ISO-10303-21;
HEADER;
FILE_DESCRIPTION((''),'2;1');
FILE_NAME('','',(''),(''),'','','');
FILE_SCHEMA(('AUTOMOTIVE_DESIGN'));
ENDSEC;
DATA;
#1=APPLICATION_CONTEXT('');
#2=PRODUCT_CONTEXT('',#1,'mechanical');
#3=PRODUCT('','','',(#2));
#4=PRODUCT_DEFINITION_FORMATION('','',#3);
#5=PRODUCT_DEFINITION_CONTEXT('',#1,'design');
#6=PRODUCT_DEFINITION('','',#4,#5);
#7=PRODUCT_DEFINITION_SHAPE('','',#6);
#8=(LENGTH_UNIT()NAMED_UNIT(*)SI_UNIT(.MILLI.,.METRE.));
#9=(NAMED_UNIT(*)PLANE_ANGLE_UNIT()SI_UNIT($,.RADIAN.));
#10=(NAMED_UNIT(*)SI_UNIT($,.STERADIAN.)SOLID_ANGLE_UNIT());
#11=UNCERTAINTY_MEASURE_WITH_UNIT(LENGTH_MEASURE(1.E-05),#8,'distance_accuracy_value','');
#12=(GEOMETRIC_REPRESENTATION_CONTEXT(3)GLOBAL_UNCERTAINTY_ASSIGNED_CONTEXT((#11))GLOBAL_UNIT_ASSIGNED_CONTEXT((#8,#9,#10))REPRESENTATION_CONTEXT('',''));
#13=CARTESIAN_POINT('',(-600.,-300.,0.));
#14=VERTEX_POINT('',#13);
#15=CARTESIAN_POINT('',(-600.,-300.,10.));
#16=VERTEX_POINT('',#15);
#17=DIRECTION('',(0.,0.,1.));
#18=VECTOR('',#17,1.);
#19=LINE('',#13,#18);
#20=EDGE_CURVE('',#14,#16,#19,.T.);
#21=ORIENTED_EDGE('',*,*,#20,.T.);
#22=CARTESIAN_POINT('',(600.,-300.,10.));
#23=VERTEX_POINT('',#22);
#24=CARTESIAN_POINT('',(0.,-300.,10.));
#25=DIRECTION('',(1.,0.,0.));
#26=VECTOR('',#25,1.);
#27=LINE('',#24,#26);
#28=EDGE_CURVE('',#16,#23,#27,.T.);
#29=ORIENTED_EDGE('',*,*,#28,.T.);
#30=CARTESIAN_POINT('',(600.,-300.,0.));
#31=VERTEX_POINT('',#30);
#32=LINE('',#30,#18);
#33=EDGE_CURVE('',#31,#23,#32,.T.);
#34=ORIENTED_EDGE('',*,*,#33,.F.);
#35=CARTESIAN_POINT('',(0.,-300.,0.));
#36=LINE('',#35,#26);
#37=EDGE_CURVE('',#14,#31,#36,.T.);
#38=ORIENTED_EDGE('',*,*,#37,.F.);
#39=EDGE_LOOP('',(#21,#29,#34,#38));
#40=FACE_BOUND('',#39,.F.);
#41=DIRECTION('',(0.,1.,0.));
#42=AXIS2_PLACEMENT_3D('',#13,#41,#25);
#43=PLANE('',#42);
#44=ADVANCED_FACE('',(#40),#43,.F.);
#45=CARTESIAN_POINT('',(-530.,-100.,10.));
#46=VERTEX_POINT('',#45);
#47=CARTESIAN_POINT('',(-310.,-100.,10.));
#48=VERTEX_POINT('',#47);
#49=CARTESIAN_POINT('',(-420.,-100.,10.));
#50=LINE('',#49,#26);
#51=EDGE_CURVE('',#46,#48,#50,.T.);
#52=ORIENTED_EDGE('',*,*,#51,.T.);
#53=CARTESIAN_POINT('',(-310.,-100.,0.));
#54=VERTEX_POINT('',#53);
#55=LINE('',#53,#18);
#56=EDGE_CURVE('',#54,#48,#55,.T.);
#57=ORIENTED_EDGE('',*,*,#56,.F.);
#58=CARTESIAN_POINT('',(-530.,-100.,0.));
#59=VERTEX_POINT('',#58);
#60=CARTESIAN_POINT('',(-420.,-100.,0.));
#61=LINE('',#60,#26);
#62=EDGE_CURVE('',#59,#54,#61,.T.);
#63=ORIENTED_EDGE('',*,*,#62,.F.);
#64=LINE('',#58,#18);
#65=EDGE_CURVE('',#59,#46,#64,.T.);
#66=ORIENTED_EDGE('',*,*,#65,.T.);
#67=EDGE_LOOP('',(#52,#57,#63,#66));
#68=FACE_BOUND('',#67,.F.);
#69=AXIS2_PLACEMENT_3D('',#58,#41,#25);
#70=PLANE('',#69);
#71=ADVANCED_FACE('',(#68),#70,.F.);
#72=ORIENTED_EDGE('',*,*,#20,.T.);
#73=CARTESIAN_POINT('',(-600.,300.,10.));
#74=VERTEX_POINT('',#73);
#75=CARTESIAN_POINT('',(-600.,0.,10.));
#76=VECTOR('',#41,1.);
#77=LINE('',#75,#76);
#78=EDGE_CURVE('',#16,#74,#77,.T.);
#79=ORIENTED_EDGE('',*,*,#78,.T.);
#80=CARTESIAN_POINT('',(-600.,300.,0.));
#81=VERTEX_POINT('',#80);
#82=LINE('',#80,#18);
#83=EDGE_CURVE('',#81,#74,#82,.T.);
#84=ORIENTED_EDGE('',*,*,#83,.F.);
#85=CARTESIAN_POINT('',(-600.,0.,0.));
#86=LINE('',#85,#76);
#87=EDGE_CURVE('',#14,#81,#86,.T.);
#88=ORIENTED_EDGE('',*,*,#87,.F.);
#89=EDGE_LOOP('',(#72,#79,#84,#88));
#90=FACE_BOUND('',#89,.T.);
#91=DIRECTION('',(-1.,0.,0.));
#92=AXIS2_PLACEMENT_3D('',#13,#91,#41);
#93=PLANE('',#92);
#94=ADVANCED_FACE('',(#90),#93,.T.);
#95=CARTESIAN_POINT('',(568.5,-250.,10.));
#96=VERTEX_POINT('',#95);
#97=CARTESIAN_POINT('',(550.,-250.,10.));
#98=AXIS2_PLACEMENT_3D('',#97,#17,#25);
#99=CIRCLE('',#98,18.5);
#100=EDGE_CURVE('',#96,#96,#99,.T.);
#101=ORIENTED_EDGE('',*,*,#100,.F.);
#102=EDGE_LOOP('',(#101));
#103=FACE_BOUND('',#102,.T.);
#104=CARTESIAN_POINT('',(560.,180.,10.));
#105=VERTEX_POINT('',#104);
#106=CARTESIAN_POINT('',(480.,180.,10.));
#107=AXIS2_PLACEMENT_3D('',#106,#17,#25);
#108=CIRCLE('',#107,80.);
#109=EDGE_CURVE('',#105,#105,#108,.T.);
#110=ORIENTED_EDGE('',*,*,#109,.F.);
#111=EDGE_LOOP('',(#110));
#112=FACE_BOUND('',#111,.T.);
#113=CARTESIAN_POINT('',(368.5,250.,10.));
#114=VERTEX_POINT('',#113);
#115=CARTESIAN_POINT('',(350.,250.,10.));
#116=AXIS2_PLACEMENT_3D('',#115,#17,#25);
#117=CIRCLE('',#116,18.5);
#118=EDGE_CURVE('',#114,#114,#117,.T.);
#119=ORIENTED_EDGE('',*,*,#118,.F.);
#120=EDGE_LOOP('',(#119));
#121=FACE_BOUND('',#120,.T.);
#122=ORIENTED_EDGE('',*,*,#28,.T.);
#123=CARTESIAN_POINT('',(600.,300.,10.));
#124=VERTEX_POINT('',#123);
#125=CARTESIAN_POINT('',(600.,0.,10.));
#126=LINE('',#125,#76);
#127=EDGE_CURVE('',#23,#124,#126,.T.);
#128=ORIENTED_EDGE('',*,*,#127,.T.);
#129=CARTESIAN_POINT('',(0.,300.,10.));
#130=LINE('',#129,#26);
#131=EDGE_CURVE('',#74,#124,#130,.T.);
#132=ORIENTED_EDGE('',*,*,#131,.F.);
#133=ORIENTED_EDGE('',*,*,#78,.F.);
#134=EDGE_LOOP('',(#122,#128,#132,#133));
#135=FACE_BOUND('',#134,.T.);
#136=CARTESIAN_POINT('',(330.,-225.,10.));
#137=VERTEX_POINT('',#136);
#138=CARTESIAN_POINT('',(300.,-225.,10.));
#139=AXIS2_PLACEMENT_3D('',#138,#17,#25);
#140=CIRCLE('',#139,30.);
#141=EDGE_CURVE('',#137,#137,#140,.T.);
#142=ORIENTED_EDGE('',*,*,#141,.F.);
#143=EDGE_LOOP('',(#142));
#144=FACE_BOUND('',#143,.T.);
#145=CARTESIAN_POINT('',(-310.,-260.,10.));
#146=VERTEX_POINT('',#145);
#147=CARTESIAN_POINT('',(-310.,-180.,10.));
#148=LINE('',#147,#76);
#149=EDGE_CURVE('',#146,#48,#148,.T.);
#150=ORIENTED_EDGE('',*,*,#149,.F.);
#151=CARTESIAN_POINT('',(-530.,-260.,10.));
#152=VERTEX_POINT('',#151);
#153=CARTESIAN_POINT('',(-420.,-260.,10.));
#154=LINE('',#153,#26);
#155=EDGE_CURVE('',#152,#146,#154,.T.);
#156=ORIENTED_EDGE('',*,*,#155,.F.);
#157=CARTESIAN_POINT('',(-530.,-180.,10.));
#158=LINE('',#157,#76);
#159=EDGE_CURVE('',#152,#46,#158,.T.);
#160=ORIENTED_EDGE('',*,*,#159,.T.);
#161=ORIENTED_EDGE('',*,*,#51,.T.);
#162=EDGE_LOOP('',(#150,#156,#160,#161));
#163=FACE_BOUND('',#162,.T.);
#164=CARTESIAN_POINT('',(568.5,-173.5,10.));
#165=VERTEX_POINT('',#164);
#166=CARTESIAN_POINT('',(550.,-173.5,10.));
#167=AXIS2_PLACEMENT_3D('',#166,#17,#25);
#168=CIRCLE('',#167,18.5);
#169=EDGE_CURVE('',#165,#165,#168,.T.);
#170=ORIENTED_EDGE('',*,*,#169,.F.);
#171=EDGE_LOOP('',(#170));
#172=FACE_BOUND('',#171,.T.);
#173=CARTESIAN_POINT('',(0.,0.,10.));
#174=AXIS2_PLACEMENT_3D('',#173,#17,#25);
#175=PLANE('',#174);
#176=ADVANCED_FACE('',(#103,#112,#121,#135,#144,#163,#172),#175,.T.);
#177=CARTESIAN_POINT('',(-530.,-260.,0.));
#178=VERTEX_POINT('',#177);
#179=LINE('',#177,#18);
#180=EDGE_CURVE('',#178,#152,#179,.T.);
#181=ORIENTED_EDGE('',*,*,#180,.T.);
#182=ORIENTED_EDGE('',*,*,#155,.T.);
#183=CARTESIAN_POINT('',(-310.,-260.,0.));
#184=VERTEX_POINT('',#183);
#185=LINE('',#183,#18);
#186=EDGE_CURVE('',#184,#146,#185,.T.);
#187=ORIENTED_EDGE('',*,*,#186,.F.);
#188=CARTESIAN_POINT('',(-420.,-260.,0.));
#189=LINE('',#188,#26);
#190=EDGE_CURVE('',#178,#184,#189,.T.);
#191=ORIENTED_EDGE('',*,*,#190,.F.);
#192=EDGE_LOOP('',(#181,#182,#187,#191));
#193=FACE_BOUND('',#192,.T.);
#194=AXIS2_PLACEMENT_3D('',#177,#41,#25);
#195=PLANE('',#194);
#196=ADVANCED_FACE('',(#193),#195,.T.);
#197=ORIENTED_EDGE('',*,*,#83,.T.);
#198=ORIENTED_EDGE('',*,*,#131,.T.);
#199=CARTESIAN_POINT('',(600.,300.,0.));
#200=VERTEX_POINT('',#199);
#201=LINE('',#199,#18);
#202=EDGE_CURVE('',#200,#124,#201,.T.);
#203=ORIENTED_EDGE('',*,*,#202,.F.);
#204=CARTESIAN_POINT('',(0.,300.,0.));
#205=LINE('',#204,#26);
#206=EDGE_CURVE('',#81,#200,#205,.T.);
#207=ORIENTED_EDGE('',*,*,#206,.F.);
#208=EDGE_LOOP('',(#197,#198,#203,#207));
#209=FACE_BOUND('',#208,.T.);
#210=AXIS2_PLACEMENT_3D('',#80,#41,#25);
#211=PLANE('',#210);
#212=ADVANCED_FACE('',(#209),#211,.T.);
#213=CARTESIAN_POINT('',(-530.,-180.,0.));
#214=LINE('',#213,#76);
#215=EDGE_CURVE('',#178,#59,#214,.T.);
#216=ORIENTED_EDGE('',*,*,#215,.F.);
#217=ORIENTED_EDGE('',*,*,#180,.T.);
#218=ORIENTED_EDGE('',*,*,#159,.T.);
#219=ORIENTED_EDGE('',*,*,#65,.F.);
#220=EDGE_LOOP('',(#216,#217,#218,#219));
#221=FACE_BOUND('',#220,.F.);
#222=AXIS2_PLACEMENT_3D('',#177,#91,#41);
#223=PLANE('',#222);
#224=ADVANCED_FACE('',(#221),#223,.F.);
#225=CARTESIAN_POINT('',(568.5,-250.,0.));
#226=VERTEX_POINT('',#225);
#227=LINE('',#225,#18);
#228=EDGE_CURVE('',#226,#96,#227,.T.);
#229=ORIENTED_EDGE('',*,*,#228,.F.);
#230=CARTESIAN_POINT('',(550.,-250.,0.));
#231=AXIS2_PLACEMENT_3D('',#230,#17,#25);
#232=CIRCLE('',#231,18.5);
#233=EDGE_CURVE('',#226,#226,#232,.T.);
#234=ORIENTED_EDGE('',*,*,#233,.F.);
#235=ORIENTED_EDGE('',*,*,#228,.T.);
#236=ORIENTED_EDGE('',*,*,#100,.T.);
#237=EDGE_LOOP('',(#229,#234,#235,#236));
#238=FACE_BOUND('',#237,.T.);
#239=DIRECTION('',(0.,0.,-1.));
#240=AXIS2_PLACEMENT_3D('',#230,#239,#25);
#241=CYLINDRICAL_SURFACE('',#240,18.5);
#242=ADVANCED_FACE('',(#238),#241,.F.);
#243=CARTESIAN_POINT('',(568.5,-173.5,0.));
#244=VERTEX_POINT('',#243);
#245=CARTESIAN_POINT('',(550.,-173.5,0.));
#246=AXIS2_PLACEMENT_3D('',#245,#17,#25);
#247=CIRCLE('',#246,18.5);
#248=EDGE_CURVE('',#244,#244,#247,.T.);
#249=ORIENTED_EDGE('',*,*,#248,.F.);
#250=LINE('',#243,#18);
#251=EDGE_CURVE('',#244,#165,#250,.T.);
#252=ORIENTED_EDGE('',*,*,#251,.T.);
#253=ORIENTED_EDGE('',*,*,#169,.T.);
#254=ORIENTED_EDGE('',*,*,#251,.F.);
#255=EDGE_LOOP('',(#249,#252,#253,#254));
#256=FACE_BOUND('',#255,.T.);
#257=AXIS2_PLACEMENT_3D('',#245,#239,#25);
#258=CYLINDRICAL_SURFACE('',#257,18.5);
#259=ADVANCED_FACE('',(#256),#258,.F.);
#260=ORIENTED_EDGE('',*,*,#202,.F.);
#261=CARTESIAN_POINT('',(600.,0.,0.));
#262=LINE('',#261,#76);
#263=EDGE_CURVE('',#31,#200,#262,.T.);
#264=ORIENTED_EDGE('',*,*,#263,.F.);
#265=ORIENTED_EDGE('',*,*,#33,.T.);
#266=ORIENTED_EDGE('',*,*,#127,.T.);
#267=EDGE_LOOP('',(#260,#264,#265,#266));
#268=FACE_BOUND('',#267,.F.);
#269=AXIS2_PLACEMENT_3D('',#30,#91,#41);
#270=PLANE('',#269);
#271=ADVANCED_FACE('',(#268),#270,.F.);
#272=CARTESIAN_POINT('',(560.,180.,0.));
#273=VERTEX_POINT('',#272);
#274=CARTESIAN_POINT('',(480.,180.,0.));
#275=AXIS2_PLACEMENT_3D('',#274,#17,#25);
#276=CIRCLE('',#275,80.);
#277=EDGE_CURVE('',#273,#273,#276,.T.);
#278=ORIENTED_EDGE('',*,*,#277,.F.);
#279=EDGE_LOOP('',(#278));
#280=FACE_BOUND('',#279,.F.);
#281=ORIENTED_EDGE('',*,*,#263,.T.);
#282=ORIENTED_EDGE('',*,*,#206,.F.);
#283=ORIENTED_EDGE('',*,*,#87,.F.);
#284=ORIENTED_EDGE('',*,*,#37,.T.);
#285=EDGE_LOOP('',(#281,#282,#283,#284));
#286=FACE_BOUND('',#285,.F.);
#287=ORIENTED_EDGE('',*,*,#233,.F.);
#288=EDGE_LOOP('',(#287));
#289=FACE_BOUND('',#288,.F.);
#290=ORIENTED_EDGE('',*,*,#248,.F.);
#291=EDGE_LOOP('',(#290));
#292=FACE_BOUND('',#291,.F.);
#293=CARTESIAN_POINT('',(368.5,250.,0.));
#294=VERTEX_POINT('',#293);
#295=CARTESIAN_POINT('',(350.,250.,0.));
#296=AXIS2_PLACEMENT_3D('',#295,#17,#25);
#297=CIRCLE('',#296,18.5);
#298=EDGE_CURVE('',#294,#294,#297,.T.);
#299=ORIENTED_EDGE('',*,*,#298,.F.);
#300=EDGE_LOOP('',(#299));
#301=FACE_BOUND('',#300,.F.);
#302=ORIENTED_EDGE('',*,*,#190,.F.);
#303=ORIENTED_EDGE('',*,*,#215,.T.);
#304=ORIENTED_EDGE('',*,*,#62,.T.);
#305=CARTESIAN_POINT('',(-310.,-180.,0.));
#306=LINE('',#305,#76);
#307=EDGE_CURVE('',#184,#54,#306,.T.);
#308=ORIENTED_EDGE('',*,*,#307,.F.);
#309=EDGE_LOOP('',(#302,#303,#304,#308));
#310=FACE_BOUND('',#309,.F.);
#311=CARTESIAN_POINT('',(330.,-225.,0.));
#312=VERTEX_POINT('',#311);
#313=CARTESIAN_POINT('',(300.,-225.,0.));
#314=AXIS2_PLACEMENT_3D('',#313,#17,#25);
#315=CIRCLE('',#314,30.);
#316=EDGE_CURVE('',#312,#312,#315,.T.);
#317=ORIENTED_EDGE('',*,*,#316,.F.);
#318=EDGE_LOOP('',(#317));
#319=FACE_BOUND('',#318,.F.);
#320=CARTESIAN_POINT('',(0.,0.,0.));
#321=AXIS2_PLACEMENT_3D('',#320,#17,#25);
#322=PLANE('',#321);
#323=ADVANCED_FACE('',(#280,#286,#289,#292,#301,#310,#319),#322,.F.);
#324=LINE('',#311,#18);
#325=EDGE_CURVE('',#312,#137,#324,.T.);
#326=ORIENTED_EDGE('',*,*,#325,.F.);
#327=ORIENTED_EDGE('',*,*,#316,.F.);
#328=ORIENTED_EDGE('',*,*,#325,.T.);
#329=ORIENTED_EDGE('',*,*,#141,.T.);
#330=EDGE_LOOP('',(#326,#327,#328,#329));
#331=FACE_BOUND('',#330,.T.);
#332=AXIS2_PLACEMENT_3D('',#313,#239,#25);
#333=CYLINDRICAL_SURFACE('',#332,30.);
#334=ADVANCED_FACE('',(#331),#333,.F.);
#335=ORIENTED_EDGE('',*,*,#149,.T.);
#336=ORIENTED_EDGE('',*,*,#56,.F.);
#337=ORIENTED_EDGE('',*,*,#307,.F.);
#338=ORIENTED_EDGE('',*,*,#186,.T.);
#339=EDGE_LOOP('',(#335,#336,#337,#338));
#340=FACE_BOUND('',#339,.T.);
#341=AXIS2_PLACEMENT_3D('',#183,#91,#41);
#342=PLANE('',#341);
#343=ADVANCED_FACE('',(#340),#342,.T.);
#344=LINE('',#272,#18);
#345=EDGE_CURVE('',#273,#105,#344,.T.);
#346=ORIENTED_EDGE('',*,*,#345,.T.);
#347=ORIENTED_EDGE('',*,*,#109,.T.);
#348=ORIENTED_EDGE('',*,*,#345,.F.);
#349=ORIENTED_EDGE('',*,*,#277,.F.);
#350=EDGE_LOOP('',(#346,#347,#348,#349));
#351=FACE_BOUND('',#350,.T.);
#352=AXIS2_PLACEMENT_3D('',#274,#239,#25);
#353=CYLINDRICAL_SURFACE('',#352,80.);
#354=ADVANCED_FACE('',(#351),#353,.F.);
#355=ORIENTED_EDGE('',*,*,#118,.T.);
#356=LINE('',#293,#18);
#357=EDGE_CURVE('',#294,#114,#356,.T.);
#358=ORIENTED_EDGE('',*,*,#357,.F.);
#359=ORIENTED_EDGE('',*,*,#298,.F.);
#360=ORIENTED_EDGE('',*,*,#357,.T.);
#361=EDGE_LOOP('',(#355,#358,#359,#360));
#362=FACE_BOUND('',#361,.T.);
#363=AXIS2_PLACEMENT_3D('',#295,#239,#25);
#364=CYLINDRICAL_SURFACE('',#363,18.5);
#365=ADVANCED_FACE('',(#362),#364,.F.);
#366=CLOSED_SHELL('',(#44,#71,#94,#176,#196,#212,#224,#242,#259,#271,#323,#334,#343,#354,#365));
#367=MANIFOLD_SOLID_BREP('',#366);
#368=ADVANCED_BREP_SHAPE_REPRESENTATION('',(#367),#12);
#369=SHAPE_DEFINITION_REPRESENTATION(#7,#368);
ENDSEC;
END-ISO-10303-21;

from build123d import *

# Parameters (mm, degrees)
F0_W     = 1200
F0_H     = 600
F0_W_2   = 220
F0_H_2   = 160
F0_R     = 18.5
F0_R_2   = 30
F0_R_3   = 80
F1_DEPTH = 10


with BuildPart() as f1:
    # F0 (on Top) → F1 (new body)
    with BuildSketch(Plane.XY):
        Rectangle(F0_W, F0_H)
        with Locations((-420, -180)):
            Rectangle(F0_W_2, F0_H_2, mode=Mode.SUBTRACT)
        with Locations((550, -250)):
            Circle(F0_R, mode=Mode.SUBTRACT)
        with Locations((300, -225)):
            Circle(F0_R_2, mode=Mode.SUBTRACT)
        with Locations((550, -173.5)):
            Circle(F0_R, mode=Mode.SUBTRACT)
        with Locations((480, 180)):
            Circle(F0_R_3, mode=Mode.SUBTRACT)
        with Locations((350, 250)):
            Circle(F0_R, mode=Mode.SUBTRACT)
    extrude(amount=F1_DEPTH)


solid = f1.part
